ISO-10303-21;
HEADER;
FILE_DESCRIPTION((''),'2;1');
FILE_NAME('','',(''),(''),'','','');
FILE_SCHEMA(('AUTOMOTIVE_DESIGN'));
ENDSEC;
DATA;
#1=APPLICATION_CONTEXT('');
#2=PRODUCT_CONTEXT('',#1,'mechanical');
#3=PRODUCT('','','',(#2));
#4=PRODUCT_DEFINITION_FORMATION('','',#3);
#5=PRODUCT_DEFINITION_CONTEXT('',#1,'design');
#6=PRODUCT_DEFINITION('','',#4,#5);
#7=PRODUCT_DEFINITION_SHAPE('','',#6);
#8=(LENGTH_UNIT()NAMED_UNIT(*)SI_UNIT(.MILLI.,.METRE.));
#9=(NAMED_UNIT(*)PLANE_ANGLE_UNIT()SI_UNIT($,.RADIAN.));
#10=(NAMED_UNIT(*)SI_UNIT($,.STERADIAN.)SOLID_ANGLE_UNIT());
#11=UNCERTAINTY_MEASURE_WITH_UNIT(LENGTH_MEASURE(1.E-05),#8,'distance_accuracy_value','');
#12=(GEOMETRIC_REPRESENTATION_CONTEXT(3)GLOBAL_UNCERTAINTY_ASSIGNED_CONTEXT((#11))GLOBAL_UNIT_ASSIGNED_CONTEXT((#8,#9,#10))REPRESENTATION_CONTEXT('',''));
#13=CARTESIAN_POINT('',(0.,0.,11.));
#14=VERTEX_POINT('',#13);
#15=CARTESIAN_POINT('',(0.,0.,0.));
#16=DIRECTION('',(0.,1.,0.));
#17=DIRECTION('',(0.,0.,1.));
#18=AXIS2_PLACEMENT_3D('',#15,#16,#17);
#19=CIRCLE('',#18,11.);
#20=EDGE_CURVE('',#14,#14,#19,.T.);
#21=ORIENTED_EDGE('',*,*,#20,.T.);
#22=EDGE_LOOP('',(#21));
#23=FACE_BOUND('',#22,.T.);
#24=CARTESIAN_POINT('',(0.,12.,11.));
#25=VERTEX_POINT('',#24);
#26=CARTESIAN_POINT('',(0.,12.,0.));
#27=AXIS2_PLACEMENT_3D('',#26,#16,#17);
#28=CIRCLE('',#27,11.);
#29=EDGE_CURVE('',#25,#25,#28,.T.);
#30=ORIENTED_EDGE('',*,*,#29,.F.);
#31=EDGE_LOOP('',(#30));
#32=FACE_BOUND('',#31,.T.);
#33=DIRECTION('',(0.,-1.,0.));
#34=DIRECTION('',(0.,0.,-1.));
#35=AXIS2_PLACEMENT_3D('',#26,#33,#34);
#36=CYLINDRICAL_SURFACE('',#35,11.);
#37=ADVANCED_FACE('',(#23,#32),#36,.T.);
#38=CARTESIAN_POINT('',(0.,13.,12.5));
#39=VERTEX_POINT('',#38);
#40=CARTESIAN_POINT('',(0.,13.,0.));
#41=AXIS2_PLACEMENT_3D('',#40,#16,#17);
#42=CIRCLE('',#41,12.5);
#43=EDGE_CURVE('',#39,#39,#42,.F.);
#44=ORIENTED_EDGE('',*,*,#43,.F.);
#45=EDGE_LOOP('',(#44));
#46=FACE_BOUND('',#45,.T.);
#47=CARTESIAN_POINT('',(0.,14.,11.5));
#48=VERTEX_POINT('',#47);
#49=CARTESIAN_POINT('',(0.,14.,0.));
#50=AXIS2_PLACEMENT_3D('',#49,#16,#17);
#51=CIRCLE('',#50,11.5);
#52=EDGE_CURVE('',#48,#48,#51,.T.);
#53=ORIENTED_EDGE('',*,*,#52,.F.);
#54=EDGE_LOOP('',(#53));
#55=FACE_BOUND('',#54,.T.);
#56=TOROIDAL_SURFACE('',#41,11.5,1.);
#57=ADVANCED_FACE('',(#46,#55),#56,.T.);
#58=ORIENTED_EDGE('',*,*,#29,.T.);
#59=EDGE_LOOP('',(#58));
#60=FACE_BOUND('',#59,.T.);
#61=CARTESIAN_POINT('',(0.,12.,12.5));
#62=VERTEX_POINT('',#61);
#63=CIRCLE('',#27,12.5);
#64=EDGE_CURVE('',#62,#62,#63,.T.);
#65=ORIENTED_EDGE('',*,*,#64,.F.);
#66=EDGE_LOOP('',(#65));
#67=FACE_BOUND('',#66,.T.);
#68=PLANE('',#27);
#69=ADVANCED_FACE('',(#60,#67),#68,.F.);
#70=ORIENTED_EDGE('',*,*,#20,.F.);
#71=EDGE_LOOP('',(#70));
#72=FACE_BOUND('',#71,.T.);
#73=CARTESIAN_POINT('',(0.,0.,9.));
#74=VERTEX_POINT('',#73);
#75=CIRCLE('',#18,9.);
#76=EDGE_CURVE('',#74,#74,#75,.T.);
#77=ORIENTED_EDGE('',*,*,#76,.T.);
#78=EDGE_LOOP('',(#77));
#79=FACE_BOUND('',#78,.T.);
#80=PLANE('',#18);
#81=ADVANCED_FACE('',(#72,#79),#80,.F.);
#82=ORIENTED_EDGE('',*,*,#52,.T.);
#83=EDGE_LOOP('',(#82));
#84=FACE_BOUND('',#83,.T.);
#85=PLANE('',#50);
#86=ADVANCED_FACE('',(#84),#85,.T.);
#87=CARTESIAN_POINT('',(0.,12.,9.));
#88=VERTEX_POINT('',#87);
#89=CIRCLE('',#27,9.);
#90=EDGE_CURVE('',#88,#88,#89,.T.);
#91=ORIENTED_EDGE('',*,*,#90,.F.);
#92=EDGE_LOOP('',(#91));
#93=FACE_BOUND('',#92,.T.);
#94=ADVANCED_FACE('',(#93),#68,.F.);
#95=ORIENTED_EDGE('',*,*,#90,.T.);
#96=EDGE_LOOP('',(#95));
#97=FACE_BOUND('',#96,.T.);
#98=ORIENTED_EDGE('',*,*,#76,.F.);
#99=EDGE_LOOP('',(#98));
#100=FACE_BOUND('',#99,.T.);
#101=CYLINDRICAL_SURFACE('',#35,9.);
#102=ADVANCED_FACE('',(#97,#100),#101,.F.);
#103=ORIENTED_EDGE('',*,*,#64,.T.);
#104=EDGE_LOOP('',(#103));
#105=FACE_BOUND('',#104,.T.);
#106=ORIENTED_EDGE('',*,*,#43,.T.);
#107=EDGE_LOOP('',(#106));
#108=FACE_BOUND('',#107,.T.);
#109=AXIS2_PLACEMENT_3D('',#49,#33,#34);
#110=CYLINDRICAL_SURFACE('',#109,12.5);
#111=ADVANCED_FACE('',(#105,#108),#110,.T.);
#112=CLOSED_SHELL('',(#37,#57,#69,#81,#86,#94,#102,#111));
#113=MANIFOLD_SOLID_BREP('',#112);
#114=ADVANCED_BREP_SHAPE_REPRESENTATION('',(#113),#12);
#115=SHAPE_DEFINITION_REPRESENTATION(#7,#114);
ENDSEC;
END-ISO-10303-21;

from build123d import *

# Parameters (mm, degrees)
SKETCH2_R           = 11
SKETCH2_R_2         = 9
BOSS_EXTRUDE1_DEPTH = 12
SKETCH3_R           = 12.5
BOSS_EXTRUDE2_DEPTH = 2
FILLET1_R           = 1


with BuildPart() as part:
    # Sketch2 → Boss-Extrude1 (new body)
    with BuildSketch(Plane(origin=(0, 0, 0), x_dir=(1, 0, 0), z_dir=(0, 1, 0))):
        with Locations(Location((0, 0, 0), (0, 0, 270))):
            Circle(SKETCH2_R)
        with Locations(Location((0, 0, 0), (0, 0, 270))):
            Circle(SKETCH2_R_2, mode=Mode.SUBTRACT)
    extrude(amount=BOSS_EXTRUDE1_DEPTH)

    # Sketch3 → Boss-Extrude2 (add)
    with BuildSketch(Plane(origin=(0, 12, 0), x_dir=(1, 0, 0), z_dir=(0, 1, 0))):
        with Locations(Location((0, 0, 0), (0, 0, 270))):
            Circle(SKETCH3_R)
    extrude(amount=BOSS_EXTRUDE2_DEPTH)

    # Fillet1
    fillet1_edges = [part.edges().sort_by_distance(p)[0] for p in [
        (0, 14, -12.5),
    ]]
    fillet(fillet1_edges, radius=FILLET1_R)


solid = part.part
